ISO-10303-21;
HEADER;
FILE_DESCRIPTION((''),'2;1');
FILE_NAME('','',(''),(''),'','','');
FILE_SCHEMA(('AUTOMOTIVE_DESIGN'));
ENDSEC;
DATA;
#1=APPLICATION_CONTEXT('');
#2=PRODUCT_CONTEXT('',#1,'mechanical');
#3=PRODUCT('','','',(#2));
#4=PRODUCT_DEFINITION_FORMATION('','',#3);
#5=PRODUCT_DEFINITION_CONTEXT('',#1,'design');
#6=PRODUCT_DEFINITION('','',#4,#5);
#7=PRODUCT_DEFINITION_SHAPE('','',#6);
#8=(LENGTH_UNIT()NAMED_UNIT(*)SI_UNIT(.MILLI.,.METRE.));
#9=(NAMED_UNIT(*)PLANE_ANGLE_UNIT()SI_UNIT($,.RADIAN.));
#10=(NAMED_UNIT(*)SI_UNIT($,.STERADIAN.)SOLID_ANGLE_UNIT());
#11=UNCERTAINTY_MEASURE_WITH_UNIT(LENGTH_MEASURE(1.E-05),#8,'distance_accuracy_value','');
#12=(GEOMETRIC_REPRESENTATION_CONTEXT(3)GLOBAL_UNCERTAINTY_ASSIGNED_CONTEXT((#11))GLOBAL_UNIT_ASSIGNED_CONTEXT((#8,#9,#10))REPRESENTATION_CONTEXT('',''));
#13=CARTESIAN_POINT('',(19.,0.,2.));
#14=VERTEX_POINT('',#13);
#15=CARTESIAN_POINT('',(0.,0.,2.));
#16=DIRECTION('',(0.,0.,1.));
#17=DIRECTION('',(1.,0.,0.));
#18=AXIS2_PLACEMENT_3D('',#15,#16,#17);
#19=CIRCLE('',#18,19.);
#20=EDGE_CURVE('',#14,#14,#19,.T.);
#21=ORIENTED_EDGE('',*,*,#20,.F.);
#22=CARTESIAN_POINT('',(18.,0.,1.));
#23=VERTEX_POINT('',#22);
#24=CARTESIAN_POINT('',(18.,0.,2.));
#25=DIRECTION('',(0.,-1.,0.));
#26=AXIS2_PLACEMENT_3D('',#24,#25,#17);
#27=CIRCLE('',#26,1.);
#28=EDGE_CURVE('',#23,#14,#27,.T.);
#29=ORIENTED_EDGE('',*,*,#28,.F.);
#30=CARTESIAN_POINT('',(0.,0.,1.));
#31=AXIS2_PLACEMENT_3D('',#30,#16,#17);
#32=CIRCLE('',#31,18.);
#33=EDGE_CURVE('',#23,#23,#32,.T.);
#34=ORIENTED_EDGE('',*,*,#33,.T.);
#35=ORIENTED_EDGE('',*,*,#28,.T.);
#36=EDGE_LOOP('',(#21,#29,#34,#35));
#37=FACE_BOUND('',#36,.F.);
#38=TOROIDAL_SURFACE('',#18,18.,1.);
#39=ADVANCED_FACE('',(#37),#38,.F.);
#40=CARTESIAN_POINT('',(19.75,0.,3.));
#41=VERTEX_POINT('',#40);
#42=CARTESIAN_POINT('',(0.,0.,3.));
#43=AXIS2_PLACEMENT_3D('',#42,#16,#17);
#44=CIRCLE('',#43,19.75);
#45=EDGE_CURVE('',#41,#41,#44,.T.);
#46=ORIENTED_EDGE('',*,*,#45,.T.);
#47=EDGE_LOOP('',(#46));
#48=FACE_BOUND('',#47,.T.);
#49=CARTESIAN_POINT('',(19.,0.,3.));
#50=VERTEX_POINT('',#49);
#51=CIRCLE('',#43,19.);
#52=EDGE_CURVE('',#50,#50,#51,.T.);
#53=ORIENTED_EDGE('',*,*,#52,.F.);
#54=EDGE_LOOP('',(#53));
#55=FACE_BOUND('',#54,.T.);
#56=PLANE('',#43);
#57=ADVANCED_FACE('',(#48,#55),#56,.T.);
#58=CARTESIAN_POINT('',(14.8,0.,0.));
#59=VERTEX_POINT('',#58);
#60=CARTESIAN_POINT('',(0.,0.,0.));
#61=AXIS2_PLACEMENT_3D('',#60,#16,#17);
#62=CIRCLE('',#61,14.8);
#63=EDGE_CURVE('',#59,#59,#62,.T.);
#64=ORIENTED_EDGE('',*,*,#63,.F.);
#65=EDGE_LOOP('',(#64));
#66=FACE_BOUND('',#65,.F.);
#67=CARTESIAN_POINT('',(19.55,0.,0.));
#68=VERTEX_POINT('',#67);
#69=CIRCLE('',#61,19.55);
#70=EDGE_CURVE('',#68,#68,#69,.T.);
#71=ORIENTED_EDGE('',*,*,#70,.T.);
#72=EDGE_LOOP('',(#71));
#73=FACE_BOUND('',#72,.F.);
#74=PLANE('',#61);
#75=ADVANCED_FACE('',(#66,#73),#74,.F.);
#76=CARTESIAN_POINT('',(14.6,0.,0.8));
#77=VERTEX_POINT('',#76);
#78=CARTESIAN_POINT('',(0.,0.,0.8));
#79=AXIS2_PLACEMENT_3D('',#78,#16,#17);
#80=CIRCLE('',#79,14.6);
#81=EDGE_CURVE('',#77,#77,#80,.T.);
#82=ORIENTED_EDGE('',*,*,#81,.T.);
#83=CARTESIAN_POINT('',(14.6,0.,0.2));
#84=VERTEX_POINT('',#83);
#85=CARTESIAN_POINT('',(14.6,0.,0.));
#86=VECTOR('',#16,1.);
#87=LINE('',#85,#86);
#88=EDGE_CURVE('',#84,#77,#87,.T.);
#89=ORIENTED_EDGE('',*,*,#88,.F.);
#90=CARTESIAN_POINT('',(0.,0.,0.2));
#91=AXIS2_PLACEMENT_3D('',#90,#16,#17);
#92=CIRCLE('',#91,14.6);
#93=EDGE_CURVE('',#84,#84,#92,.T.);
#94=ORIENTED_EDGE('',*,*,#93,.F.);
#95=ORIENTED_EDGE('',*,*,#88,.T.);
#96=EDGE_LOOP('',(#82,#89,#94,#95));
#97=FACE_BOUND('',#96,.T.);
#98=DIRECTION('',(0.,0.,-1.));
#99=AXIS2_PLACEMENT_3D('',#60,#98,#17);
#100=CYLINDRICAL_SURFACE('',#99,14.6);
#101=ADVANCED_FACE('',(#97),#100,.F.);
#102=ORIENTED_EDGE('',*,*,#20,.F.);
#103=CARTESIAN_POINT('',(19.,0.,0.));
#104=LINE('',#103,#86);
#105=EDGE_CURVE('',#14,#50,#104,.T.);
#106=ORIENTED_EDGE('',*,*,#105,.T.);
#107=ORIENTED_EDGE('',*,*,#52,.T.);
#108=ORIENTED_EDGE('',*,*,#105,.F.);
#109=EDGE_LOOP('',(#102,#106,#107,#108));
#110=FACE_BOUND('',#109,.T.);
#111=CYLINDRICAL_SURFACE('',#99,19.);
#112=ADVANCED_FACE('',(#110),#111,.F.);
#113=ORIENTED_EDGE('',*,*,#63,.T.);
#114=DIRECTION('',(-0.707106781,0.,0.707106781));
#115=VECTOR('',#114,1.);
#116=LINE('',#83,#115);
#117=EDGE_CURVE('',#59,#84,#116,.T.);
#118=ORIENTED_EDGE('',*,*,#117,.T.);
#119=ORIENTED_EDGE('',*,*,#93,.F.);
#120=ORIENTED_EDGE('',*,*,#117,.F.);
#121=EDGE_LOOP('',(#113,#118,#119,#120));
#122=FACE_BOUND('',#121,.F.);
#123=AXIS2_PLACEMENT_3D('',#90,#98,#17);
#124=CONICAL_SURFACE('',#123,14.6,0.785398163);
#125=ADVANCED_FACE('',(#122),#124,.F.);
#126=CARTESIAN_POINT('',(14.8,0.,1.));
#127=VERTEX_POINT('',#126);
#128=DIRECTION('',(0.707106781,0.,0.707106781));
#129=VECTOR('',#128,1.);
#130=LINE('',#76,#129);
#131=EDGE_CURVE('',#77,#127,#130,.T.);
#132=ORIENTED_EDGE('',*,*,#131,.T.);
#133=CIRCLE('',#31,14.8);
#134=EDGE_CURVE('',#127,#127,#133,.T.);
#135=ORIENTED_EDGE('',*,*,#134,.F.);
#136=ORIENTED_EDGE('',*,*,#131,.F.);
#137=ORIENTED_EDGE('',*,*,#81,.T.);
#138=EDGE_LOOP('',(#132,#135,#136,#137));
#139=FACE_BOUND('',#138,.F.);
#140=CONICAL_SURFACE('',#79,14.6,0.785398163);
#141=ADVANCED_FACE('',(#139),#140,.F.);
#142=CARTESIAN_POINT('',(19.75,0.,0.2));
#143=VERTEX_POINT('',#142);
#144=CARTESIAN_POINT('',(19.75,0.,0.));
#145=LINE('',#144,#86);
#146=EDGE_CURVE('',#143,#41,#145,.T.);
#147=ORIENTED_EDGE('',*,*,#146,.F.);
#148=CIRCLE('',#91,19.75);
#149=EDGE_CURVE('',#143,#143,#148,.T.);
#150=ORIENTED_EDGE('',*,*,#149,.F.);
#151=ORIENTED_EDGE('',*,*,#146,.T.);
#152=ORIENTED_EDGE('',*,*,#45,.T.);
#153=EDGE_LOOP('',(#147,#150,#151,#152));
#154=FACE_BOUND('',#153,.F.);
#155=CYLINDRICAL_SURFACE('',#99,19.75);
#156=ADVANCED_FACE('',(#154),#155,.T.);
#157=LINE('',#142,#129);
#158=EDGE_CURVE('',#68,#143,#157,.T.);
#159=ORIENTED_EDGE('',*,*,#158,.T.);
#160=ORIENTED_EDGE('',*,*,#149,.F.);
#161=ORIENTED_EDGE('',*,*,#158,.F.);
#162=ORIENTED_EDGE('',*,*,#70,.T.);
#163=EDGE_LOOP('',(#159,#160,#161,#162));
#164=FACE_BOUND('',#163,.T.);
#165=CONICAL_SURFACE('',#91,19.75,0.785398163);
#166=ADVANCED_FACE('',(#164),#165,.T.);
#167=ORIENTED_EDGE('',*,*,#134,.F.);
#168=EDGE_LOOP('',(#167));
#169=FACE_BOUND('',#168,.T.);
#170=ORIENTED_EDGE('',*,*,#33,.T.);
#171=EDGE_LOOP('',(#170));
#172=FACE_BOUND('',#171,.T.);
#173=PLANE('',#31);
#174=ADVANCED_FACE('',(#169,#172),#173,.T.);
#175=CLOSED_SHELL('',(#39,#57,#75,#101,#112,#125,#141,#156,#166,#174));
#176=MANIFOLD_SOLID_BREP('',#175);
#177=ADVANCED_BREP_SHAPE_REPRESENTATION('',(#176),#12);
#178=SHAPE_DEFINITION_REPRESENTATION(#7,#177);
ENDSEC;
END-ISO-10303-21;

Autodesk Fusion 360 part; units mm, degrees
sketch "Sketch1" plane through (0, 0, 0) normal (0, 0, 1) x (1, 0, 0)
  circle A0 centre (0, 0) radius 14.6
  circle A1 centre (0, 0) radius 19
  circle A2 centre (0, 0) radius 19.75
  dimension "d1" = 29.2
  dimension "d2" = 38
  dimension "d3" = 39.5
extrude "Extrude3" add sketch "Sketch1" along normal blind 1 contours A1
extrude "Extrude4" add sketch "Sketch1" along normal blind 3 contours A2
fillet "Fillet1" radius 1 1 edges at (-17.7142, -6.8707, 1)
chamfer "Chamfer1" distance 0.2 angle 45 1 edges at (-18.4135, -7.1419, 0)
chamfer "Chamfer2" distance 0.2 angle 45 2 edges at (-13.612, 5.2796, 1) (-13.612, 5.2796, 0)
extrude "Extrude1" [suppressed]
extrude "Extrude2" [suppressed]
